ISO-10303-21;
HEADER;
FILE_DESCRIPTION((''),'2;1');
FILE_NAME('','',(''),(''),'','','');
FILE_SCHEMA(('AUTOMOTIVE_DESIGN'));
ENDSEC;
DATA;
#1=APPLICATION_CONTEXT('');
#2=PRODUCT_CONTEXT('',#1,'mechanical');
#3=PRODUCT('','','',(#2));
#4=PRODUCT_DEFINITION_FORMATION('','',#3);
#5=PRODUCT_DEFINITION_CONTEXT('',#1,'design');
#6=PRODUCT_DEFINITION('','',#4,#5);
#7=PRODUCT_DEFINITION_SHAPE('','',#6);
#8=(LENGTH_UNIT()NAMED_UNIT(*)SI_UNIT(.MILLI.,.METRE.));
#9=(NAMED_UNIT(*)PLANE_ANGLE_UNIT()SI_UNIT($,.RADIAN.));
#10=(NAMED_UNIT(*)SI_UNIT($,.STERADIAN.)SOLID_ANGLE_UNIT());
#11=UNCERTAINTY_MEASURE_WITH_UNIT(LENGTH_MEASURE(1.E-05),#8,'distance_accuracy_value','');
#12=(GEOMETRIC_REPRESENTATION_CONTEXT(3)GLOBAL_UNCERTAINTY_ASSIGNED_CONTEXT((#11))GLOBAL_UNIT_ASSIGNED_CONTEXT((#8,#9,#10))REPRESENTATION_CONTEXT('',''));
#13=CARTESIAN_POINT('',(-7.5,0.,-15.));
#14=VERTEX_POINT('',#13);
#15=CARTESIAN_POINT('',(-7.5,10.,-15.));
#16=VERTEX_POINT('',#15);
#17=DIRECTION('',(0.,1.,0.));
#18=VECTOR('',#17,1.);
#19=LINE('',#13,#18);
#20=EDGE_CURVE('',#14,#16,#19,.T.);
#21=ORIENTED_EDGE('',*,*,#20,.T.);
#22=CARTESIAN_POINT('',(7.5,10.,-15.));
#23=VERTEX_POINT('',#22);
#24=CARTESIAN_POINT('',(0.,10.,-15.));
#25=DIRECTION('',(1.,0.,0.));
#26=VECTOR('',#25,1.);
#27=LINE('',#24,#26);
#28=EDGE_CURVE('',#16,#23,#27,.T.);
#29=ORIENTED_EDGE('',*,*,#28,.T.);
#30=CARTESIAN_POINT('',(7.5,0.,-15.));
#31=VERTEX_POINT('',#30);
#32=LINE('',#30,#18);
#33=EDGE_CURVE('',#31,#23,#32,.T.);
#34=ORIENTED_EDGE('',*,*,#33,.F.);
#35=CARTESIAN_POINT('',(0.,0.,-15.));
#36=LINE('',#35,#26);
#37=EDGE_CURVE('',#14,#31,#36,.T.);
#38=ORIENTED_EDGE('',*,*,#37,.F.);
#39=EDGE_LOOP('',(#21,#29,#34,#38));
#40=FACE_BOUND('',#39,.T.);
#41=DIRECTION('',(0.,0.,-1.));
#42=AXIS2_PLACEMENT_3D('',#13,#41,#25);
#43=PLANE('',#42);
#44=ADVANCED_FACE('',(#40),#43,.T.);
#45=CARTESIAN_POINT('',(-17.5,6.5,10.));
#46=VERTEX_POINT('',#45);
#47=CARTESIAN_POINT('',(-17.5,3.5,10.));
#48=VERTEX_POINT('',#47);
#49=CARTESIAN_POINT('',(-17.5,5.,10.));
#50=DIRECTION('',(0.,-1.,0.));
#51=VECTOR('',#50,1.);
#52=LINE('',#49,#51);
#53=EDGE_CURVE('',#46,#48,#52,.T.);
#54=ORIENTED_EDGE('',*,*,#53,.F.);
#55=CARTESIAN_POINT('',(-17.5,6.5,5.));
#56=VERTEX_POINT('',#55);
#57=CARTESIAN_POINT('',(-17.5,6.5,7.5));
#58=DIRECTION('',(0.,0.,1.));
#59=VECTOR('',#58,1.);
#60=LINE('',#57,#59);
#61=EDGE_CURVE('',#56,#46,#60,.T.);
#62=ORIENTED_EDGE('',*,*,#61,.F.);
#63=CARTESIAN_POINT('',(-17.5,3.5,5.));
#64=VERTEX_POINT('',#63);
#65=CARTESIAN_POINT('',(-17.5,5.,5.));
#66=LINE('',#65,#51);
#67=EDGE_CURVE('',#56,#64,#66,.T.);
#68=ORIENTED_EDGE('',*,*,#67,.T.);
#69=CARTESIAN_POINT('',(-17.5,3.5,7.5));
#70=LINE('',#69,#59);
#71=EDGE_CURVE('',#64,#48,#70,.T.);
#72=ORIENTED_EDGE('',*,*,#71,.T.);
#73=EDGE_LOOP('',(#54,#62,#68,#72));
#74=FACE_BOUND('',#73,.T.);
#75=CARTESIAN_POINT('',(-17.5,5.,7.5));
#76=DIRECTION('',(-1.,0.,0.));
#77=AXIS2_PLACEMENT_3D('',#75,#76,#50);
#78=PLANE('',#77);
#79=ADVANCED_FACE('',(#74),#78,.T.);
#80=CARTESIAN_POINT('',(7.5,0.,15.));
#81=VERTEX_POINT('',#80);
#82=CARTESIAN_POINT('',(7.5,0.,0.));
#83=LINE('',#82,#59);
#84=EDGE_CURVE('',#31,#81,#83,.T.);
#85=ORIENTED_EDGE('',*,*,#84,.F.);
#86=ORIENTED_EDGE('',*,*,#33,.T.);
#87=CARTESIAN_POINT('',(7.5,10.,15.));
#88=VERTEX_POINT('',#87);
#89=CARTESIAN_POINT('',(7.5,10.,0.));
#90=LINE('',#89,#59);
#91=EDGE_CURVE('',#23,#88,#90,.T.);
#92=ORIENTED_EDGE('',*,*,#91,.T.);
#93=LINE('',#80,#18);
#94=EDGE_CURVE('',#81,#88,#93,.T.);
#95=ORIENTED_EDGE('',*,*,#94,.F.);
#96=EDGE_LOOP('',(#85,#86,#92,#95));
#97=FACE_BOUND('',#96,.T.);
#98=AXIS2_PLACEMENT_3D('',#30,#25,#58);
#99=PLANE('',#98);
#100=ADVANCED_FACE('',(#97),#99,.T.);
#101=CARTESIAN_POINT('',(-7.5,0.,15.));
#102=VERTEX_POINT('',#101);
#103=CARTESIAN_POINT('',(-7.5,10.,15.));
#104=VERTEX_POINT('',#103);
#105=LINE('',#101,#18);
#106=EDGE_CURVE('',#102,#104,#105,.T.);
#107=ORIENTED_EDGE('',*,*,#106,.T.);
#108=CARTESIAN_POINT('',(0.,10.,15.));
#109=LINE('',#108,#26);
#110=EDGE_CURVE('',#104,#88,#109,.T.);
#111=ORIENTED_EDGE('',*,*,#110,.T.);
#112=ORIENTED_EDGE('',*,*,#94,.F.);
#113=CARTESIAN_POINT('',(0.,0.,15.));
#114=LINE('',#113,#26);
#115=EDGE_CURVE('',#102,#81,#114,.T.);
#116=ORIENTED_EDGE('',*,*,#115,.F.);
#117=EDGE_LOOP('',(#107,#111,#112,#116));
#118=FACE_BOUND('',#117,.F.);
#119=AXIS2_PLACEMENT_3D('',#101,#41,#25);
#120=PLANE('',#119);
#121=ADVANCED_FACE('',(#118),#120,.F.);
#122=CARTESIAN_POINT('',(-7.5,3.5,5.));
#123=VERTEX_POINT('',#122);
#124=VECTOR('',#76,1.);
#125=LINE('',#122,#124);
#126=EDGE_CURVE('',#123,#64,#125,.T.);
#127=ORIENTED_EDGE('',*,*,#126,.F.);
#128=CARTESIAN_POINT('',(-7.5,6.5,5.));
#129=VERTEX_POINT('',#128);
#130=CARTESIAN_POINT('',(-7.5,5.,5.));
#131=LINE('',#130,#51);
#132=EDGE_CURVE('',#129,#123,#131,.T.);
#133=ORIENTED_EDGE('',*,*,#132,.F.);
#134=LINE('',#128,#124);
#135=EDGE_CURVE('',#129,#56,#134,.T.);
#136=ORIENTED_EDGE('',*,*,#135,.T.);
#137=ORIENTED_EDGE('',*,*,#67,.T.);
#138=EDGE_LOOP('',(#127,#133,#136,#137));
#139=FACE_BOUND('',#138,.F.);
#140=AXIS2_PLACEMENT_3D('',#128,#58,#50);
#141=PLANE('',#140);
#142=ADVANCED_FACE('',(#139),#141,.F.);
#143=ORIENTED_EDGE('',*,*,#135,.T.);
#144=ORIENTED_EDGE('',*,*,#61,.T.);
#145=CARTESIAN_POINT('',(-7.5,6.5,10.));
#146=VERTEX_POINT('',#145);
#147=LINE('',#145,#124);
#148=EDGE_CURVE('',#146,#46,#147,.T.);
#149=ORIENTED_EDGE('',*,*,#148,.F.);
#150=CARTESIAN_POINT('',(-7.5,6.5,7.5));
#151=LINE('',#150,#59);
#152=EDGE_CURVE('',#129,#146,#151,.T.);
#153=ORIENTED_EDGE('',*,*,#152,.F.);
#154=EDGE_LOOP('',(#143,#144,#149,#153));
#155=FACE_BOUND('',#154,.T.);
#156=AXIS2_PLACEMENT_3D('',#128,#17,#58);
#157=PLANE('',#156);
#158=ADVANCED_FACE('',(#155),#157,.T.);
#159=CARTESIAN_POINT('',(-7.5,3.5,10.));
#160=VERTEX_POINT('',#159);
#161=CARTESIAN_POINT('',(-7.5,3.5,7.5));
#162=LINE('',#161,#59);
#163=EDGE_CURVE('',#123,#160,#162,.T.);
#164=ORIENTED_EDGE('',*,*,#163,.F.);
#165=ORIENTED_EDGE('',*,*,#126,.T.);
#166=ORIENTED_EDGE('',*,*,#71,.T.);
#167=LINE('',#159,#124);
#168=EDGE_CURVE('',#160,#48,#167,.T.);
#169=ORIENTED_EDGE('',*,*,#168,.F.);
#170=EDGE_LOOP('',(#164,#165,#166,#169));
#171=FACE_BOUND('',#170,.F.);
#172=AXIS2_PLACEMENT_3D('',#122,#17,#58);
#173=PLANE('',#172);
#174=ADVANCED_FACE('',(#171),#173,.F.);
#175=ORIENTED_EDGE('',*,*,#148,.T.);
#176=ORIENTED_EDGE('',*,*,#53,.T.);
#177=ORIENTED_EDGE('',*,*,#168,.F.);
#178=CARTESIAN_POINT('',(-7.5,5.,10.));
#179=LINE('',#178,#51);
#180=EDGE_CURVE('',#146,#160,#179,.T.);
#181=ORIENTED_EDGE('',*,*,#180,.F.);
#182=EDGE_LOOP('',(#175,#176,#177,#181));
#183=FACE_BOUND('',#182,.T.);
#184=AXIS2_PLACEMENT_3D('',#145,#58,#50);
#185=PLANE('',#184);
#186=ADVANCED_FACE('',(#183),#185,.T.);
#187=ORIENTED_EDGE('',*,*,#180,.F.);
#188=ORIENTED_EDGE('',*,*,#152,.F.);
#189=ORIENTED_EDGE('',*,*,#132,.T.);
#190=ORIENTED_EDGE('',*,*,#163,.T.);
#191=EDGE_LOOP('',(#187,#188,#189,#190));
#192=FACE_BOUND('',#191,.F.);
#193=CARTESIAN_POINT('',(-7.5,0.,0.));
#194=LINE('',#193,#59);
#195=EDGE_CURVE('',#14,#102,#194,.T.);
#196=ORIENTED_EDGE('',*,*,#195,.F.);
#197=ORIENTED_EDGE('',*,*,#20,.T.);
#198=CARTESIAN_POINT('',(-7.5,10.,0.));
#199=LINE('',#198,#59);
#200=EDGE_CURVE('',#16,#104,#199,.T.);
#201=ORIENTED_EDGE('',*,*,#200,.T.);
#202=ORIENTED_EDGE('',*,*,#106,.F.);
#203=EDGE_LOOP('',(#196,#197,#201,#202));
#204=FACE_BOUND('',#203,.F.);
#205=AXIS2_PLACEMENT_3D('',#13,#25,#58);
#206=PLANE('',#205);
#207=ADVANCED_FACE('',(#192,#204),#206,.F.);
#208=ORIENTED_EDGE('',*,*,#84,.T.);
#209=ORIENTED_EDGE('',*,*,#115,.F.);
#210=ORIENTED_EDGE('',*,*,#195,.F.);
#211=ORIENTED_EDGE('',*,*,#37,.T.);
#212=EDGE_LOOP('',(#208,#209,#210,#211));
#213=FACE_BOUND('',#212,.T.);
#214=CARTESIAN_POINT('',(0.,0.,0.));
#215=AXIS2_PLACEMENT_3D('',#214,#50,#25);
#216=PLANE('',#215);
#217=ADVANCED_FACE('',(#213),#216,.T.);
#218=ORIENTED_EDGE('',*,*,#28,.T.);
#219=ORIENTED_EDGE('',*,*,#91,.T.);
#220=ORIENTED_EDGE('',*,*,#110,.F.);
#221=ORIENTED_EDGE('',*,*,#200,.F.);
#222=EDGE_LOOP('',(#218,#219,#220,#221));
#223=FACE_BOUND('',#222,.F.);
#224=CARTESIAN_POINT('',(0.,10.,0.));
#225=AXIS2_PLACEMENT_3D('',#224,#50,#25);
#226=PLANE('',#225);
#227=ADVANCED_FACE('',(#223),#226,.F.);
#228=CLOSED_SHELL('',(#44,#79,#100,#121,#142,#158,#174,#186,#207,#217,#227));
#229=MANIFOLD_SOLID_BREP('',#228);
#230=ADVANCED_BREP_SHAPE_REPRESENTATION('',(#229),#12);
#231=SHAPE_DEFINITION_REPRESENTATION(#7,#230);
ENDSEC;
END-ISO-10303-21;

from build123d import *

# Parameters (mm, degrees)
F0_W     = 15
F0_H     = 30
F1_DEPTH = 10
F2_W     = 3
F2_H     = 5
F3_DEPTH = 10


with BuildPart() as f1:
    # F0 (on Front) → F1 (new body)
    with BuildSketch(Plane.XZ):
        Rectangle(F0_W, F0_H)
    extrude(amount=-F1_DEPTH)

    # F2 (on face) → F3 (join)
    with BuildSketch(Plane(origin=(-7.5, 0, 0), x_dir=(0, -1, 0), z_dir=(-1, 0, 0))):
        with Locations((-5, 7.5)):
            Rectangle(F2_W, F2_H)
    extrude(amount=F3_DEPTH)


solid = f1.part
